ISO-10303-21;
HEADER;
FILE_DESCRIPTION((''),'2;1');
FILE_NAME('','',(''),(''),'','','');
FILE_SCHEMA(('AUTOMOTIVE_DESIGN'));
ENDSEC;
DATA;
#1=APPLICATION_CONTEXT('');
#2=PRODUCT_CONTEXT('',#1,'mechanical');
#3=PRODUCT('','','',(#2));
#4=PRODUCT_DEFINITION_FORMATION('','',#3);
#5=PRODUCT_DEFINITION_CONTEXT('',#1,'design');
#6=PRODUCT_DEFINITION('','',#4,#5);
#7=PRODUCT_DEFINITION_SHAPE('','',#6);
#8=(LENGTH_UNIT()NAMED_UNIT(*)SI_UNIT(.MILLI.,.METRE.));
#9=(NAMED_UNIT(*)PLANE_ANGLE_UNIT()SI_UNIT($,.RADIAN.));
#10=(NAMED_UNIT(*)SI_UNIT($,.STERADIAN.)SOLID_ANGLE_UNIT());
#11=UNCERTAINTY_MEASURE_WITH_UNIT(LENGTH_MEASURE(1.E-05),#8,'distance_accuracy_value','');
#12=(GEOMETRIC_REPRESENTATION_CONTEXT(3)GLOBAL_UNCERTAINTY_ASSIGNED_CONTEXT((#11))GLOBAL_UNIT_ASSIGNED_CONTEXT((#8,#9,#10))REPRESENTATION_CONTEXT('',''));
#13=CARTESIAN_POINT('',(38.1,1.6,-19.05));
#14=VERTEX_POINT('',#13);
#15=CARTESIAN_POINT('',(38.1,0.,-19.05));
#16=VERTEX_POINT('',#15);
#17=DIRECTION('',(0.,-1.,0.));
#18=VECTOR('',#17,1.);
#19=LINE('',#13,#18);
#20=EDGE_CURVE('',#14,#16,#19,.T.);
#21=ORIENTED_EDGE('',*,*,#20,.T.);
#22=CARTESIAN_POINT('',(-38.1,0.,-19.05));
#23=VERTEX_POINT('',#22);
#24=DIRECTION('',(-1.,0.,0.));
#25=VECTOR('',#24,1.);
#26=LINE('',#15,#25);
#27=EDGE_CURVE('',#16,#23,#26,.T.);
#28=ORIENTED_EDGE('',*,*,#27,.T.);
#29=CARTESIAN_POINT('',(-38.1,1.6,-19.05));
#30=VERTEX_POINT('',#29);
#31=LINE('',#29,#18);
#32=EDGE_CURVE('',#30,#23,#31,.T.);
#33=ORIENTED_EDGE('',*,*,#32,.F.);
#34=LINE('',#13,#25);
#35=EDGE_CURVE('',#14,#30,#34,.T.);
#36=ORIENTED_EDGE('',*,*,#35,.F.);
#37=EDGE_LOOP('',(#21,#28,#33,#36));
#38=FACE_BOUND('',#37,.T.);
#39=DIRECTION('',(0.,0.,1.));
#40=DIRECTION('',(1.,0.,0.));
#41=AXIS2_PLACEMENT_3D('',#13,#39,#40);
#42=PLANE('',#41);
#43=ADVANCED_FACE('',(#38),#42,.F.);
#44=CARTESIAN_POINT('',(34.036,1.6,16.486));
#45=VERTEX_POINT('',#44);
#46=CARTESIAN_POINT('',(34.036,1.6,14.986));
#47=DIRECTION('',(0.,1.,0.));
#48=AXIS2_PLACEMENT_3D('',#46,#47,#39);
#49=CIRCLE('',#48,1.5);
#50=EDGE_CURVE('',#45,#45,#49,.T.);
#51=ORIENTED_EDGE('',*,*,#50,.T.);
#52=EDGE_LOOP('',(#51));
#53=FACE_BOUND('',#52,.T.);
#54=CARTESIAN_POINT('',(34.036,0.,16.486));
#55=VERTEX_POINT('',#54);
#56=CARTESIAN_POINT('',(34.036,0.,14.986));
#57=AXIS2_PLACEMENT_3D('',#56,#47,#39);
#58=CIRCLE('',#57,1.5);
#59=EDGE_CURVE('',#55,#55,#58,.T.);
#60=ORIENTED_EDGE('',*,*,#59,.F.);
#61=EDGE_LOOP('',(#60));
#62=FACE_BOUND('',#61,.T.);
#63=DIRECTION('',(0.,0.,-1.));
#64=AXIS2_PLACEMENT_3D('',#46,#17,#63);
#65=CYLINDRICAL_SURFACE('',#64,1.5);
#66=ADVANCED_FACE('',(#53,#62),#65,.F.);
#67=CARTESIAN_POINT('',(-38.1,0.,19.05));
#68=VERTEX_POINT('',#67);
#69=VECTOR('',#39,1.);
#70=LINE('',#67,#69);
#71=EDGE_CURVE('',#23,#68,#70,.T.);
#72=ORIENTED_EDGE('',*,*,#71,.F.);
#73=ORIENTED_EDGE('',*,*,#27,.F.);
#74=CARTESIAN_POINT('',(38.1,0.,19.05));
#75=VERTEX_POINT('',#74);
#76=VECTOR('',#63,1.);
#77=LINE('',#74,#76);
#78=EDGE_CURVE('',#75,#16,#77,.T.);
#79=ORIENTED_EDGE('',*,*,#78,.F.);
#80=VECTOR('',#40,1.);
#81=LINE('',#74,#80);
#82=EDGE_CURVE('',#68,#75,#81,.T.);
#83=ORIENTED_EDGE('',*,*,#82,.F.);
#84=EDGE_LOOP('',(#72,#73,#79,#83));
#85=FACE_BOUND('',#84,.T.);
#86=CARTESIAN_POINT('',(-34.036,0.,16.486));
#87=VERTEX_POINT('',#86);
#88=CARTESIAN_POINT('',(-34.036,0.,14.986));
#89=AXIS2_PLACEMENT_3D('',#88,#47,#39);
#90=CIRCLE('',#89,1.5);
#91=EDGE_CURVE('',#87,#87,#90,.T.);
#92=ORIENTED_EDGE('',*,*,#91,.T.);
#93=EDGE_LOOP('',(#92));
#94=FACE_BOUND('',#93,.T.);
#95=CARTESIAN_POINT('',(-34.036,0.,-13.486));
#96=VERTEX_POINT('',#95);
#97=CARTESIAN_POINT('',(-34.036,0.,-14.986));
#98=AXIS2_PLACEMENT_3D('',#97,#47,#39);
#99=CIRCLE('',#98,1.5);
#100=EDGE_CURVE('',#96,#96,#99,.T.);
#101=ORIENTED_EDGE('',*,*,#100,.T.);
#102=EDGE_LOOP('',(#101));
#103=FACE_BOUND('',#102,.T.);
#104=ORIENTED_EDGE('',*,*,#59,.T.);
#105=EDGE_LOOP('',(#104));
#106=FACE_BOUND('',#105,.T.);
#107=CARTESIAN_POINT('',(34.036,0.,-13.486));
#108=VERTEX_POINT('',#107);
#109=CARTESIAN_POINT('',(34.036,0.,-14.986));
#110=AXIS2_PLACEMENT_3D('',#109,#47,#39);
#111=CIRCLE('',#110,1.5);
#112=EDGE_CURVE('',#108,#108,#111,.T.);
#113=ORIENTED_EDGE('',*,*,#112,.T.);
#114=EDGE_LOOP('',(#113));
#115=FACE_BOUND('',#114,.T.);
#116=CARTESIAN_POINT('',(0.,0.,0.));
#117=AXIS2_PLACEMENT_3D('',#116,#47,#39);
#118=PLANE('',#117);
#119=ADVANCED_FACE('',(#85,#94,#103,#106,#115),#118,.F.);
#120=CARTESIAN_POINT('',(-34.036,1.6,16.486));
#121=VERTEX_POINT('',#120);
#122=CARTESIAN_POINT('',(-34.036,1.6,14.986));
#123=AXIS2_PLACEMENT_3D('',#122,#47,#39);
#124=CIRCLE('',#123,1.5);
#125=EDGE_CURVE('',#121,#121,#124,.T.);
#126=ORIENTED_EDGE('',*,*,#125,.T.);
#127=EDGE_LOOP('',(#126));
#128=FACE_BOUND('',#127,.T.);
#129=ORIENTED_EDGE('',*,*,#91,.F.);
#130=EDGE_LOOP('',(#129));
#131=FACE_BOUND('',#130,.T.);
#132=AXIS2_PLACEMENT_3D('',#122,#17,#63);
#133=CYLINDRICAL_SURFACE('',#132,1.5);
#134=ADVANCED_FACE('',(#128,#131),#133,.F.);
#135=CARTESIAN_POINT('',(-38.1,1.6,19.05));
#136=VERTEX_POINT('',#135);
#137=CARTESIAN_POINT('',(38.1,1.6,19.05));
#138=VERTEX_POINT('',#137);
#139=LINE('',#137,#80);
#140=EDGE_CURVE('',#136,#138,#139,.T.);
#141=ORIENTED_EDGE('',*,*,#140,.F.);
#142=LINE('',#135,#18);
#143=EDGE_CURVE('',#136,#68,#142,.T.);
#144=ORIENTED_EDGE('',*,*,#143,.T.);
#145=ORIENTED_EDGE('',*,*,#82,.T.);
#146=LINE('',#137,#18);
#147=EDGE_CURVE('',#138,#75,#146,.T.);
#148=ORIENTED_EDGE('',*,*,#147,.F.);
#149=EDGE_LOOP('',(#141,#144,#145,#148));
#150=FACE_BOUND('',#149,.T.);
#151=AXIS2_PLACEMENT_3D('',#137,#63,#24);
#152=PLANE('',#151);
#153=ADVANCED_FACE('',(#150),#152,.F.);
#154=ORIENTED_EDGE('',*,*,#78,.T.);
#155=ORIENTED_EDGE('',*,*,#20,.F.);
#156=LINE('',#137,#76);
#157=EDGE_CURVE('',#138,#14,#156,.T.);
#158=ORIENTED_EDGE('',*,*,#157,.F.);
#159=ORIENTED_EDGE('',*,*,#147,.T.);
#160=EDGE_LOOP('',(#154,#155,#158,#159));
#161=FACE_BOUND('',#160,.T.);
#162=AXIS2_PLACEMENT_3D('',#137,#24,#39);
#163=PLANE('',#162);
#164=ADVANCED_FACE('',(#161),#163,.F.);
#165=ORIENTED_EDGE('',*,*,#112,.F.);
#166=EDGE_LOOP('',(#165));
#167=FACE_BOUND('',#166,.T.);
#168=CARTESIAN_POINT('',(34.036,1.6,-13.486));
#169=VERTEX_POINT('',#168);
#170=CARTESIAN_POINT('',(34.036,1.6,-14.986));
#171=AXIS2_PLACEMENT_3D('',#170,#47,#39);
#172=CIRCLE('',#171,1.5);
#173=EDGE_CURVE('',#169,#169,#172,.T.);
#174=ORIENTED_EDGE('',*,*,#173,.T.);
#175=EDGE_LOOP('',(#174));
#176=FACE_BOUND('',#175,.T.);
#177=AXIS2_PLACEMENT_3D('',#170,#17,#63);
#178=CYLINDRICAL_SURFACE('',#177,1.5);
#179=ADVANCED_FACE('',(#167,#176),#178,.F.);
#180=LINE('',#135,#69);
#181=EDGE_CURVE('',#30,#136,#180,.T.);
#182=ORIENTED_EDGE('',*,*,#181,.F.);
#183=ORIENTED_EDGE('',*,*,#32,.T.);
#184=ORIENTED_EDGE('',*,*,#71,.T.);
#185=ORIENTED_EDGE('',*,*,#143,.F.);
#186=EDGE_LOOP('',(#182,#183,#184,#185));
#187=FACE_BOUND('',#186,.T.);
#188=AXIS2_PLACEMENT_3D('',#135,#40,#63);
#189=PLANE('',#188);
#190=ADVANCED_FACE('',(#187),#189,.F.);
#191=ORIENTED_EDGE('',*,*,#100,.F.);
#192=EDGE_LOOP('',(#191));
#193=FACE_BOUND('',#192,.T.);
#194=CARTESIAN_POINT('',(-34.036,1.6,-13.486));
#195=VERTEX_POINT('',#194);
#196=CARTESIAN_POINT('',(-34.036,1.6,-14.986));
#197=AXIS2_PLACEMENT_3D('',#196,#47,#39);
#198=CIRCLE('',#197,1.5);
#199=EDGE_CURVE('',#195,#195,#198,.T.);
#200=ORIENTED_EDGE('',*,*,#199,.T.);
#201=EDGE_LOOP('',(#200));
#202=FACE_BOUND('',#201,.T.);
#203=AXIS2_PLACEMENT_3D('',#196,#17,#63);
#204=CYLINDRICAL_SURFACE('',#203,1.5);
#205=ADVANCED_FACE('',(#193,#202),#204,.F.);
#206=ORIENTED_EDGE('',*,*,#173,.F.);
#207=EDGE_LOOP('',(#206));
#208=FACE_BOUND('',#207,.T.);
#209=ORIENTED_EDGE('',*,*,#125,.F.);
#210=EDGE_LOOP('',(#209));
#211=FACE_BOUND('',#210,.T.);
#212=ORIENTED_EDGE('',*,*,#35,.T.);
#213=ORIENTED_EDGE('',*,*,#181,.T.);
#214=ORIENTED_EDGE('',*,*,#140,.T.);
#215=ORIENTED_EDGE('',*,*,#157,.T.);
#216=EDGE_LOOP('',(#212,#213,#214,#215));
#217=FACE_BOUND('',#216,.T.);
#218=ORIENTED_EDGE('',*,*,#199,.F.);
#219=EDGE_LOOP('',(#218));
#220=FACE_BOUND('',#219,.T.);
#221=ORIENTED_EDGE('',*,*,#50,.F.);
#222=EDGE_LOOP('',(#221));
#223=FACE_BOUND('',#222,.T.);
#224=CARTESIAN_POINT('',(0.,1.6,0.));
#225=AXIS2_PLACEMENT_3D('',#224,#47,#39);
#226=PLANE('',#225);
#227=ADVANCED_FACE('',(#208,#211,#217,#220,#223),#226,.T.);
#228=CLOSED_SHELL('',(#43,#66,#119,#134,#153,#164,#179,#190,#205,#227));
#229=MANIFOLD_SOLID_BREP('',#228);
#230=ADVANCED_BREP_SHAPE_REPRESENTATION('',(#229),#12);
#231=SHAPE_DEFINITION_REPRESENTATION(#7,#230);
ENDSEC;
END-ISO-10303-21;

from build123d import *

# Parameters (mm, degrees)
SKETCH1_W           = 76.2
SKETCH1_H           = 38.1
SKETCH1_R           = 1.5
BOSS_EXTRUDE1_DEPTH = 1.6


with BuildPart() as part:
    # Sketch1 → Boss-Extrude1 (new body)
    with BuildSketch(Plane(origin=(0, 0, 0), x_dir=(1, 0, 0), z_dir=(0, 1, 0))):
        Rectangle(SKETCH1_W, SKETCH1_H)
        with Locations((-34.036, 14.986)):
            Circle(SKETCH1_R, mode=Mode.SUBTRACT)
        with Locations((-34.036, -14.986)):
            Circle(SKETCH1_R, mode=Mode.SUBTRACT)
        with Locations((34.036, 14.986)):
            Circle(SKETCH1_R, mode=Mode.SUBTRACT)
        with Locations((34.036, -14.986)):
            Circle(SKETCH1_R, mode=Mode.SUBTRACT)
    extrude(amount=BOSS_EXTRUDE1_DEPTH)


solid = part.part
